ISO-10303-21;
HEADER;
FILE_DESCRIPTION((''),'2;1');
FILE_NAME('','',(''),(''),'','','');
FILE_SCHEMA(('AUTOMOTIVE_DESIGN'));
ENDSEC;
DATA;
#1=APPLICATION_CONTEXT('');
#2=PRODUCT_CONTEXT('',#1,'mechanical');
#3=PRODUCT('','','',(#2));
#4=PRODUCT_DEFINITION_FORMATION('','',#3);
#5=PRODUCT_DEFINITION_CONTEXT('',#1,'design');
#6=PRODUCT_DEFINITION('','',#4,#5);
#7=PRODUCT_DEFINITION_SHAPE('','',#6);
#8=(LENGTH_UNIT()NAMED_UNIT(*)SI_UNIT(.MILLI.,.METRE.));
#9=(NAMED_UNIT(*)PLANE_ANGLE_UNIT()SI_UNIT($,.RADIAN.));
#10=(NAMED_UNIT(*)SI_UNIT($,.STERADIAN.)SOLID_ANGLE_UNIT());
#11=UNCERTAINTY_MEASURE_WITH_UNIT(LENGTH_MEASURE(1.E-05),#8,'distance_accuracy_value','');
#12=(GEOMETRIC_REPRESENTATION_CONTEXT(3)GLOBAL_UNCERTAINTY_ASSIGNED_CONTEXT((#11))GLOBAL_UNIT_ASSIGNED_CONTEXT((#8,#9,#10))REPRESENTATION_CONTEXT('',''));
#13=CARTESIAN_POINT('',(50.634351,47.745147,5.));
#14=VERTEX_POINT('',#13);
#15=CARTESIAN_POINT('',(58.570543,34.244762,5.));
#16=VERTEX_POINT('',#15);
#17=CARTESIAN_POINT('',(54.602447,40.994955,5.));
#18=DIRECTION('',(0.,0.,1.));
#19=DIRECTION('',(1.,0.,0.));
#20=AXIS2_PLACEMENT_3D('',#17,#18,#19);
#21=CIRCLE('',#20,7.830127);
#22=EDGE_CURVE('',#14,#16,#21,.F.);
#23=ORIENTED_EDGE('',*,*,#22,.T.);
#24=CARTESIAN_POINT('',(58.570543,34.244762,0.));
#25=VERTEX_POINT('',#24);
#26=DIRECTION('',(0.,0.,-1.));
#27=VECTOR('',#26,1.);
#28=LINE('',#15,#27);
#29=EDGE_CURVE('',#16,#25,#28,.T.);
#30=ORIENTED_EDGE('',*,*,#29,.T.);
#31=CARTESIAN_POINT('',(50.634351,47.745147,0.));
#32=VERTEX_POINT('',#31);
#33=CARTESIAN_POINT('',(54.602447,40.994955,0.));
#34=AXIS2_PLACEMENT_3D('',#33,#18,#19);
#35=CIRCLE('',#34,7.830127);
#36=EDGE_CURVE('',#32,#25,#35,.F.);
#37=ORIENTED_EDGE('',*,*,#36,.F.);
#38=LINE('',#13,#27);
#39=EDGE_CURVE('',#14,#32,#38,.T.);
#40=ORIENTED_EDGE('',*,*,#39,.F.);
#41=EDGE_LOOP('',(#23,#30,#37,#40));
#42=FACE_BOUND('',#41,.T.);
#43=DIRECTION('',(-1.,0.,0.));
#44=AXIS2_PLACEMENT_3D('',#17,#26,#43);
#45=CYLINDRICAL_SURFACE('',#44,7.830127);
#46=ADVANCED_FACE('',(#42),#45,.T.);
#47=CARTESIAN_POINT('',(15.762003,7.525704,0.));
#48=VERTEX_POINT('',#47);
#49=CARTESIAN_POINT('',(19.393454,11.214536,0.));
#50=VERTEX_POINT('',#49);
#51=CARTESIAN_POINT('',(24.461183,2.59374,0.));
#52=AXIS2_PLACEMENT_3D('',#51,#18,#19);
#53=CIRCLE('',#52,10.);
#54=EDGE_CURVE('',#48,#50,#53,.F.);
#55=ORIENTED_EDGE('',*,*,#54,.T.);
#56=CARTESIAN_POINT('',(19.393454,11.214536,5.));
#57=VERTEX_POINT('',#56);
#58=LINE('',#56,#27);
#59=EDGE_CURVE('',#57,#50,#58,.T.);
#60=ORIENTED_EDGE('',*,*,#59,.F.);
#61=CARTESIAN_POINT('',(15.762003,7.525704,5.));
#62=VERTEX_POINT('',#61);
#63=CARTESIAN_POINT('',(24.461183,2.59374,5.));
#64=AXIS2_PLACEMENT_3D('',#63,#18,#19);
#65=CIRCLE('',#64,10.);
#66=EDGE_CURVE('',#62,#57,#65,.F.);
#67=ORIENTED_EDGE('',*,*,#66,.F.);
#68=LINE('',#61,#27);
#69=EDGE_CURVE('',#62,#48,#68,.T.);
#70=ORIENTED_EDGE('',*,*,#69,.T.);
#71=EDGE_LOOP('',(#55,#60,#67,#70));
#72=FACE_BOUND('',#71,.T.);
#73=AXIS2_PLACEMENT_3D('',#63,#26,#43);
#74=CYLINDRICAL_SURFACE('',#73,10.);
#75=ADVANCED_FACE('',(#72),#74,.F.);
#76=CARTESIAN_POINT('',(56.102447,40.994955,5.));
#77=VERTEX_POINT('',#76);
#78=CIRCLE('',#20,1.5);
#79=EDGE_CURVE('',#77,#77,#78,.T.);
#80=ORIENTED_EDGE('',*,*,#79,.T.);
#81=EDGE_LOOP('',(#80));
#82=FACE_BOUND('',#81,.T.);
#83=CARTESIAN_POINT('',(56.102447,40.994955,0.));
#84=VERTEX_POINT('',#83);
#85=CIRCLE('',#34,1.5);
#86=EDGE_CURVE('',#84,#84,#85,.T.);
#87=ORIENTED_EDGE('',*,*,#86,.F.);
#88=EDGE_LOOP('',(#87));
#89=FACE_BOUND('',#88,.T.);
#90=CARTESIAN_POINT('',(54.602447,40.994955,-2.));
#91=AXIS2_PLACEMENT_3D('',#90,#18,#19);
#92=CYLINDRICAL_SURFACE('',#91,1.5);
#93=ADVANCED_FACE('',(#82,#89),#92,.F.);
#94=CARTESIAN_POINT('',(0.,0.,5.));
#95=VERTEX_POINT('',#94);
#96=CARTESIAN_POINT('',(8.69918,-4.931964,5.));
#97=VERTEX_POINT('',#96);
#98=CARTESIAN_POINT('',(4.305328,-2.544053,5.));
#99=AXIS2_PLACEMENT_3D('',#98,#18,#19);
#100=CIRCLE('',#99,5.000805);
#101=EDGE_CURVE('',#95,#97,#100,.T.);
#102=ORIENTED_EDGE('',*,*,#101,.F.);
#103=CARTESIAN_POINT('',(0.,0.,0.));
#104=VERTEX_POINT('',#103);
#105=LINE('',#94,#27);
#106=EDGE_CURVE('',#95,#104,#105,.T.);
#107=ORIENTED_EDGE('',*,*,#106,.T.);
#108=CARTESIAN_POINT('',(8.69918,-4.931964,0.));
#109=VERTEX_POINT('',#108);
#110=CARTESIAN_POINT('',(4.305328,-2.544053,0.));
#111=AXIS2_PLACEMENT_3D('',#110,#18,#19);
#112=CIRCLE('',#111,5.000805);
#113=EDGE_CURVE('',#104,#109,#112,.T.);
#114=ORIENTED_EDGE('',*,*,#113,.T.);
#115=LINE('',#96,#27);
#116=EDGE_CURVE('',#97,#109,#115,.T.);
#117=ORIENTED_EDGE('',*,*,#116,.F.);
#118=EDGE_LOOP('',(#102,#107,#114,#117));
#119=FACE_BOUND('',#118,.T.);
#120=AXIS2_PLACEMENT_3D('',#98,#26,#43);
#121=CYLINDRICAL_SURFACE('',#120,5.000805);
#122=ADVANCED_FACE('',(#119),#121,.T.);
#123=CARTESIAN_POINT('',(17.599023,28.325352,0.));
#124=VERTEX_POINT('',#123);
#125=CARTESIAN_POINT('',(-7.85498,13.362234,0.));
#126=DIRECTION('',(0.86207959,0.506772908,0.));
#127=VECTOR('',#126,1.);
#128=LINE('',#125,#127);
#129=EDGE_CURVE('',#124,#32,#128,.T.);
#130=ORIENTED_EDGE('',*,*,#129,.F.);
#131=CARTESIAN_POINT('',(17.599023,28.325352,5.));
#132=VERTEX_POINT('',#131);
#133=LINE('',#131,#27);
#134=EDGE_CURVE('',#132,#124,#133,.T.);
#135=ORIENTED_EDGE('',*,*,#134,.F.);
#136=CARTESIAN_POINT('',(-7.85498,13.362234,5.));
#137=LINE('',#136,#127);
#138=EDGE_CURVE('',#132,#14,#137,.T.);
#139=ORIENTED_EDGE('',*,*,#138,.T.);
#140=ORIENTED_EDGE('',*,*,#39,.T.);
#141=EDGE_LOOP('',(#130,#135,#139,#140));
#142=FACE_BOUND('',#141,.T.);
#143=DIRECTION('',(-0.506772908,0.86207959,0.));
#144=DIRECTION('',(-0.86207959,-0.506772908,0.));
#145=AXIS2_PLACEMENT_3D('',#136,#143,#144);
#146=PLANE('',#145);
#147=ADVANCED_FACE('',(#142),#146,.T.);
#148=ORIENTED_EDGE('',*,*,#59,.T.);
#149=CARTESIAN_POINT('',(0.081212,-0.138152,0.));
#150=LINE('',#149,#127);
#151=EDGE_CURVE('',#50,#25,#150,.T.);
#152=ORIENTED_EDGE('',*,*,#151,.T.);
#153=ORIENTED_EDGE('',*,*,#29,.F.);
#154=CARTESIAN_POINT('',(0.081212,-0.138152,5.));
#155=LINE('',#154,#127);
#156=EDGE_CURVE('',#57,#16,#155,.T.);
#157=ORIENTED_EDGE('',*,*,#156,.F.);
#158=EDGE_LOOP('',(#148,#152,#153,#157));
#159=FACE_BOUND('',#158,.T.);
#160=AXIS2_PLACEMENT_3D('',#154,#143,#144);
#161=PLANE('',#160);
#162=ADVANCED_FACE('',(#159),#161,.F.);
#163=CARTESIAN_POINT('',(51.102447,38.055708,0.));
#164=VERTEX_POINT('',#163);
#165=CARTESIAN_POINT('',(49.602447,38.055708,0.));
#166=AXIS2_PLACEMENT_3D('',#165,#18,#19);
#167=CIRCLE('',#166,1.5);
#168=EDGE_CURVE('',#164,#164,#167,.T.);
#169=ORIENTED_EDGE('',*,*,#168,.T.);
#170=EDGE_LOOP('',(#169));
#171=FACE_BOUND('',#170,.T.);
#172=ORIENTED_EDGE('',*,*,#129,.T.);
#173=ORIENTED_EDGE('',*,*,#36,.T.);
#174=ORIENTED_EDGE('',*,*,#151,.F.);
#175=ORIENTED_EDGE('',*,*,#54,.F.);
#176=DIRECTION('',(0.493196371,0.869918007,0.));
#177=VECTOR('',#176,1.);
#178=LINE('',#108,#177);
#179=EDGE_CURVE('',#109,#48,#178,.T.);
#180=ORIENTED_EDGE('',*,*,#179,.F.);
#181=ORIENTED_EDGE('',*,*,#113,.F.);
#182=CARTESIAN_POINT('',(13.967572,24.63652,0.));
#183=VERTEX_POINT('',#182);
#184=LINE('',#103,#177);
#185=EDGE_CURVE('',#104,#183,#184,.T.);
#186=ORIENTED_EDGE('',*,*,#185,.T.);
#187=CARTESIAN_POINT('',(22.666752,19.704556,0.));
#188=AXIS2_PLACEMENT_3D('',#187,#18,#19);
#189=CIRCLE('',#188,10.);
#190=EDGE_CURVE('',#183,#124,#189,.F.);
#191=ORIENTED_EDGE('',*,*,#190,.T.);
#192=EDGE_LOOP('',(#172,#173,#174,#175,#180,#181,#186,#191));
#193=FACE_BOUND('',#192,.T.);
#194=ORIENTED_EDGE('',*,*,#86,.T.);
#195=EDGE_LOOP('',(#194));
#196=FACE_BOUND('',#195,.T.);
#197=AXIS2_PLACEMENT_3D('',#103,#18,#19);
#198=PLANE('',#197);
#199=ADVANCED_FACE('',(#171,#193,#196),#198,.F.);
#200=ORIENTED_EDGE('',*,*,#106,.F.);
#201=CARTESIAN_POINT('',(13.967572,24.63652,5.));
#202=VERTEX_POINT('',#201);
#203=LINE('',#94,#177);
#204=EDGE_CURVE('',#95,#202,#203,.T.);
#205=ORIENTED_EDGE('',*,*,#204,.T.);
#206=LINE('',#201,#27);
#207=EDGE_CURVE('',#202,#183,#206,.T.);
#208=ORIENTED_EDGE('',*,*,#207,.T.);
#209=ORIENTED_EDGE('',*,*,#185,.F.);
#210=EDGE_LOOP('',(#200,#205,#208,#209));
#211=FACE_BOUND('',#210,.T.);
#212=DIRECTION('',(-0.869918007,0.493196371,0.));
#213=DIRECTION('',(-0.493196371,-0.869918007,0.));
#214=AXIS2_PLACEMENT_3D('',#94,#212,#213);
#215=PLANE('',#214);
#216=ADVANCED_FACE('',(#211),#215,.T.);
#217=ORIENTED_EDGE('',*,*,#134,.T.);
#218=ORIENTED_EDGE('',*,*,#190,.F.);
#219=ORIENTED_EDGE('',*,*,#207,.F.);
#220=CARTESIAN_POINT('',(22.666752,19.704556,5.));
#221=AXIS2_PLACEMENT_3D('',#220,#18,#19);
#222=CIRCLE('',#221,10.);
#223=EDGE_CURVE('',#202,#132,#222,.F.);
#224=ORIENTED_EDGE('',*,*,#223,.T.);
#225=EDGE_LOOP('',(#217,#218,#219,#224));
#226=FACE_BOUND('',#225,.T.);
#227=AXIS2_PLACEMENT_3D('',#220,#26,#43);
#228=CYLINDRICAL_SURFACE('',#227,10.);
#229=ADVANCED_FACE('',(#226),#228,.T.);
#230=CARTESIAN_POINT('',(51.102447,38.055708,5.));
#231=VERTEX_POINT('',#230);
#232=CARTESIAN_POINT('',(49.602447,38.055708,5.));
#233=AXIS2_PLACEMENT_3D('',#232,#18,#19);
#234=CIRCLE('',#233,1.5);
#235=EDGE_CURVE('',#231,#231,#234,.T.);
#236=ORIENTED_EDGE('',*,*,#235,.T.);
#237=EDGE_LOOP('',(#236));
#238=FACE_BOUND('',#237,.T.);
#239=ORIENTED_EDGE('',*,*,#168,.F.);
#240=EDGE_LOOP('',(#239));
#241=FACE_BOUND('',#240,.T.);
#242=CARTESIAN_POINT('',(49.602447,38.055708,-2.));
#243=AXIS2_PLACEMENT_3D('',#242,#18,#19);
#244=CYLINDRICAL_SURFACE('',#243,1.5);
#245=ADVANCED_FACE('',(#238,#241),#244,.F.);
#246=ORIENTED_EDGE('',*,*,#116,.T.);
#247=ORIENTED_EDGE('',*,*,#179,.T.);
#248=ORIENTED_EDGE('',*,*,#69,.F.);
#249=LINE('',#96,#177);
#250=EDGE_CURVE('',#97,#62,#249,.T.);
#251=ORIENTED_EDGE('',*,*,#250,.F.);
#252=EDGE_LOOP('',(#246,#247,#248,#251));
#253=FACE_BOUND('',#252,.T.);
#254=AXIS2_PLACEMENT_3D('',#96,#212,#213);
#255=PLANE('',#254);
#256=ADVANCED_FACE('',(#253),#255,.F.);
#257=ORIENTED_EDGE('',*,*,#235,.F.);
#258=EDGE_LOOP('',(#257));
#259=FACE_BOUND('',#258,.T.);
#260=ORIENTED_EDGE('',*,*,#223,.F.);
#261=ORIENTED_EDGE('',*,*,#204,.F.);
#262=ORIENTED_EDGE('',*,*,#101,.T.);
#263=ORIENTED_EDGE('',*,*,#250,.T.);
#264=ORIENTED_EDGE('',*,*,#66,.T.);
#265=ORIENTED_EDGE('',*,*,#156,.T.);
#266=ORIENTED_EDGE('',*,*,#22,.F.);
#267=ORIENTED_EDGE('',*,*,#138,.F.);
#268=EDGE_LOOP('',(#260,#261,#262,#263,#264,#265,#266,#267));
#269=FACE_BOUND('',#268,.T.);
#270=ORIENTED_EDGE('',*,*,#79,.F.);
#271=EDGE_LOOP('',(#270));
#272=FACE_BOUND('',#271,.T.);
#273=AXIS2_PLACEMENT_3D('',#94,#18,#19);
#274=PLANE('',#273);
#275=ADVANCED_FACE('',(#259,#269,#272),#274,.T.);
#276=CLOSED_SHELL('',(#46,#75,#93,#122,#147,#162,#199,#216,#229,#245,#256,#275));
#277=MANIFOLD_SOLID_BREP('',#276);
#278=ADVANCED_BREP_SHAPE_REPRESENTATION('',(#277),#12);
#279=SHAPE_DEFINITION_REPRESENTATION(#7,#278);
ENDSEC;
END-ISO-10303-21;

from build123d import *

# Parameters (mm, degrees)
BOSS_EXTRUDE1_DEPTH = 5
SKETCH4_R           = 1.5
CUT_EXTRUDE1_DEPTH  = 7


with BuildPart() as part:
    # Sketch3 → Boss-Extrude1 (new body)
    with BuildSketch(Plane.XY):
        with BuildLine():
            Line((0, 0), (13.967571819, 24.636519948))
            ThreePointArc((13.967571819, 24.636519948), (15.54047533, 26.719980839), (17.599022813, 28.325352137))
            Line((17.599022813, 28.325352137), (50.634350714, 47.745147441))
            ThreePointArc((50.634350714, 47.745147441), (61.352639644, 44.963050987), (58.570543189, 34.244762057))
            Line((58.570543189, 34.244762057), (19.393453686, 11.214536322))
            ThreePointArc((19.393453686, 11.214536322), (17.334906203, 9.609165025), (15.762002691, 7.525704134))
            Line((15.762002691, 7.525704134), (8.699180072, -4.931963714))
            ThreePointArc((8.699180072, -4.931963714), (1.838948591, -6.894344126), (0, 0))
        make_face()
    extrude(amount=BOSS_EXTRUDE1_DEPTH)

    # Sketch4 → Cut-Extrude1 (cut)
    with BuildSketch(Plane.XY.offset(5)):
        with Locations((54.602446951, 40.994954749)):
            Circle(SKETCH4_R)
        with Locations((49.602446951, 38.055708109)):
            Circle(SKETCH4_R)
    extrude(amount=-CUT_EXTRUDE1_DEPTH, mode=Mode.SUBTRACT)


solid = part.part
